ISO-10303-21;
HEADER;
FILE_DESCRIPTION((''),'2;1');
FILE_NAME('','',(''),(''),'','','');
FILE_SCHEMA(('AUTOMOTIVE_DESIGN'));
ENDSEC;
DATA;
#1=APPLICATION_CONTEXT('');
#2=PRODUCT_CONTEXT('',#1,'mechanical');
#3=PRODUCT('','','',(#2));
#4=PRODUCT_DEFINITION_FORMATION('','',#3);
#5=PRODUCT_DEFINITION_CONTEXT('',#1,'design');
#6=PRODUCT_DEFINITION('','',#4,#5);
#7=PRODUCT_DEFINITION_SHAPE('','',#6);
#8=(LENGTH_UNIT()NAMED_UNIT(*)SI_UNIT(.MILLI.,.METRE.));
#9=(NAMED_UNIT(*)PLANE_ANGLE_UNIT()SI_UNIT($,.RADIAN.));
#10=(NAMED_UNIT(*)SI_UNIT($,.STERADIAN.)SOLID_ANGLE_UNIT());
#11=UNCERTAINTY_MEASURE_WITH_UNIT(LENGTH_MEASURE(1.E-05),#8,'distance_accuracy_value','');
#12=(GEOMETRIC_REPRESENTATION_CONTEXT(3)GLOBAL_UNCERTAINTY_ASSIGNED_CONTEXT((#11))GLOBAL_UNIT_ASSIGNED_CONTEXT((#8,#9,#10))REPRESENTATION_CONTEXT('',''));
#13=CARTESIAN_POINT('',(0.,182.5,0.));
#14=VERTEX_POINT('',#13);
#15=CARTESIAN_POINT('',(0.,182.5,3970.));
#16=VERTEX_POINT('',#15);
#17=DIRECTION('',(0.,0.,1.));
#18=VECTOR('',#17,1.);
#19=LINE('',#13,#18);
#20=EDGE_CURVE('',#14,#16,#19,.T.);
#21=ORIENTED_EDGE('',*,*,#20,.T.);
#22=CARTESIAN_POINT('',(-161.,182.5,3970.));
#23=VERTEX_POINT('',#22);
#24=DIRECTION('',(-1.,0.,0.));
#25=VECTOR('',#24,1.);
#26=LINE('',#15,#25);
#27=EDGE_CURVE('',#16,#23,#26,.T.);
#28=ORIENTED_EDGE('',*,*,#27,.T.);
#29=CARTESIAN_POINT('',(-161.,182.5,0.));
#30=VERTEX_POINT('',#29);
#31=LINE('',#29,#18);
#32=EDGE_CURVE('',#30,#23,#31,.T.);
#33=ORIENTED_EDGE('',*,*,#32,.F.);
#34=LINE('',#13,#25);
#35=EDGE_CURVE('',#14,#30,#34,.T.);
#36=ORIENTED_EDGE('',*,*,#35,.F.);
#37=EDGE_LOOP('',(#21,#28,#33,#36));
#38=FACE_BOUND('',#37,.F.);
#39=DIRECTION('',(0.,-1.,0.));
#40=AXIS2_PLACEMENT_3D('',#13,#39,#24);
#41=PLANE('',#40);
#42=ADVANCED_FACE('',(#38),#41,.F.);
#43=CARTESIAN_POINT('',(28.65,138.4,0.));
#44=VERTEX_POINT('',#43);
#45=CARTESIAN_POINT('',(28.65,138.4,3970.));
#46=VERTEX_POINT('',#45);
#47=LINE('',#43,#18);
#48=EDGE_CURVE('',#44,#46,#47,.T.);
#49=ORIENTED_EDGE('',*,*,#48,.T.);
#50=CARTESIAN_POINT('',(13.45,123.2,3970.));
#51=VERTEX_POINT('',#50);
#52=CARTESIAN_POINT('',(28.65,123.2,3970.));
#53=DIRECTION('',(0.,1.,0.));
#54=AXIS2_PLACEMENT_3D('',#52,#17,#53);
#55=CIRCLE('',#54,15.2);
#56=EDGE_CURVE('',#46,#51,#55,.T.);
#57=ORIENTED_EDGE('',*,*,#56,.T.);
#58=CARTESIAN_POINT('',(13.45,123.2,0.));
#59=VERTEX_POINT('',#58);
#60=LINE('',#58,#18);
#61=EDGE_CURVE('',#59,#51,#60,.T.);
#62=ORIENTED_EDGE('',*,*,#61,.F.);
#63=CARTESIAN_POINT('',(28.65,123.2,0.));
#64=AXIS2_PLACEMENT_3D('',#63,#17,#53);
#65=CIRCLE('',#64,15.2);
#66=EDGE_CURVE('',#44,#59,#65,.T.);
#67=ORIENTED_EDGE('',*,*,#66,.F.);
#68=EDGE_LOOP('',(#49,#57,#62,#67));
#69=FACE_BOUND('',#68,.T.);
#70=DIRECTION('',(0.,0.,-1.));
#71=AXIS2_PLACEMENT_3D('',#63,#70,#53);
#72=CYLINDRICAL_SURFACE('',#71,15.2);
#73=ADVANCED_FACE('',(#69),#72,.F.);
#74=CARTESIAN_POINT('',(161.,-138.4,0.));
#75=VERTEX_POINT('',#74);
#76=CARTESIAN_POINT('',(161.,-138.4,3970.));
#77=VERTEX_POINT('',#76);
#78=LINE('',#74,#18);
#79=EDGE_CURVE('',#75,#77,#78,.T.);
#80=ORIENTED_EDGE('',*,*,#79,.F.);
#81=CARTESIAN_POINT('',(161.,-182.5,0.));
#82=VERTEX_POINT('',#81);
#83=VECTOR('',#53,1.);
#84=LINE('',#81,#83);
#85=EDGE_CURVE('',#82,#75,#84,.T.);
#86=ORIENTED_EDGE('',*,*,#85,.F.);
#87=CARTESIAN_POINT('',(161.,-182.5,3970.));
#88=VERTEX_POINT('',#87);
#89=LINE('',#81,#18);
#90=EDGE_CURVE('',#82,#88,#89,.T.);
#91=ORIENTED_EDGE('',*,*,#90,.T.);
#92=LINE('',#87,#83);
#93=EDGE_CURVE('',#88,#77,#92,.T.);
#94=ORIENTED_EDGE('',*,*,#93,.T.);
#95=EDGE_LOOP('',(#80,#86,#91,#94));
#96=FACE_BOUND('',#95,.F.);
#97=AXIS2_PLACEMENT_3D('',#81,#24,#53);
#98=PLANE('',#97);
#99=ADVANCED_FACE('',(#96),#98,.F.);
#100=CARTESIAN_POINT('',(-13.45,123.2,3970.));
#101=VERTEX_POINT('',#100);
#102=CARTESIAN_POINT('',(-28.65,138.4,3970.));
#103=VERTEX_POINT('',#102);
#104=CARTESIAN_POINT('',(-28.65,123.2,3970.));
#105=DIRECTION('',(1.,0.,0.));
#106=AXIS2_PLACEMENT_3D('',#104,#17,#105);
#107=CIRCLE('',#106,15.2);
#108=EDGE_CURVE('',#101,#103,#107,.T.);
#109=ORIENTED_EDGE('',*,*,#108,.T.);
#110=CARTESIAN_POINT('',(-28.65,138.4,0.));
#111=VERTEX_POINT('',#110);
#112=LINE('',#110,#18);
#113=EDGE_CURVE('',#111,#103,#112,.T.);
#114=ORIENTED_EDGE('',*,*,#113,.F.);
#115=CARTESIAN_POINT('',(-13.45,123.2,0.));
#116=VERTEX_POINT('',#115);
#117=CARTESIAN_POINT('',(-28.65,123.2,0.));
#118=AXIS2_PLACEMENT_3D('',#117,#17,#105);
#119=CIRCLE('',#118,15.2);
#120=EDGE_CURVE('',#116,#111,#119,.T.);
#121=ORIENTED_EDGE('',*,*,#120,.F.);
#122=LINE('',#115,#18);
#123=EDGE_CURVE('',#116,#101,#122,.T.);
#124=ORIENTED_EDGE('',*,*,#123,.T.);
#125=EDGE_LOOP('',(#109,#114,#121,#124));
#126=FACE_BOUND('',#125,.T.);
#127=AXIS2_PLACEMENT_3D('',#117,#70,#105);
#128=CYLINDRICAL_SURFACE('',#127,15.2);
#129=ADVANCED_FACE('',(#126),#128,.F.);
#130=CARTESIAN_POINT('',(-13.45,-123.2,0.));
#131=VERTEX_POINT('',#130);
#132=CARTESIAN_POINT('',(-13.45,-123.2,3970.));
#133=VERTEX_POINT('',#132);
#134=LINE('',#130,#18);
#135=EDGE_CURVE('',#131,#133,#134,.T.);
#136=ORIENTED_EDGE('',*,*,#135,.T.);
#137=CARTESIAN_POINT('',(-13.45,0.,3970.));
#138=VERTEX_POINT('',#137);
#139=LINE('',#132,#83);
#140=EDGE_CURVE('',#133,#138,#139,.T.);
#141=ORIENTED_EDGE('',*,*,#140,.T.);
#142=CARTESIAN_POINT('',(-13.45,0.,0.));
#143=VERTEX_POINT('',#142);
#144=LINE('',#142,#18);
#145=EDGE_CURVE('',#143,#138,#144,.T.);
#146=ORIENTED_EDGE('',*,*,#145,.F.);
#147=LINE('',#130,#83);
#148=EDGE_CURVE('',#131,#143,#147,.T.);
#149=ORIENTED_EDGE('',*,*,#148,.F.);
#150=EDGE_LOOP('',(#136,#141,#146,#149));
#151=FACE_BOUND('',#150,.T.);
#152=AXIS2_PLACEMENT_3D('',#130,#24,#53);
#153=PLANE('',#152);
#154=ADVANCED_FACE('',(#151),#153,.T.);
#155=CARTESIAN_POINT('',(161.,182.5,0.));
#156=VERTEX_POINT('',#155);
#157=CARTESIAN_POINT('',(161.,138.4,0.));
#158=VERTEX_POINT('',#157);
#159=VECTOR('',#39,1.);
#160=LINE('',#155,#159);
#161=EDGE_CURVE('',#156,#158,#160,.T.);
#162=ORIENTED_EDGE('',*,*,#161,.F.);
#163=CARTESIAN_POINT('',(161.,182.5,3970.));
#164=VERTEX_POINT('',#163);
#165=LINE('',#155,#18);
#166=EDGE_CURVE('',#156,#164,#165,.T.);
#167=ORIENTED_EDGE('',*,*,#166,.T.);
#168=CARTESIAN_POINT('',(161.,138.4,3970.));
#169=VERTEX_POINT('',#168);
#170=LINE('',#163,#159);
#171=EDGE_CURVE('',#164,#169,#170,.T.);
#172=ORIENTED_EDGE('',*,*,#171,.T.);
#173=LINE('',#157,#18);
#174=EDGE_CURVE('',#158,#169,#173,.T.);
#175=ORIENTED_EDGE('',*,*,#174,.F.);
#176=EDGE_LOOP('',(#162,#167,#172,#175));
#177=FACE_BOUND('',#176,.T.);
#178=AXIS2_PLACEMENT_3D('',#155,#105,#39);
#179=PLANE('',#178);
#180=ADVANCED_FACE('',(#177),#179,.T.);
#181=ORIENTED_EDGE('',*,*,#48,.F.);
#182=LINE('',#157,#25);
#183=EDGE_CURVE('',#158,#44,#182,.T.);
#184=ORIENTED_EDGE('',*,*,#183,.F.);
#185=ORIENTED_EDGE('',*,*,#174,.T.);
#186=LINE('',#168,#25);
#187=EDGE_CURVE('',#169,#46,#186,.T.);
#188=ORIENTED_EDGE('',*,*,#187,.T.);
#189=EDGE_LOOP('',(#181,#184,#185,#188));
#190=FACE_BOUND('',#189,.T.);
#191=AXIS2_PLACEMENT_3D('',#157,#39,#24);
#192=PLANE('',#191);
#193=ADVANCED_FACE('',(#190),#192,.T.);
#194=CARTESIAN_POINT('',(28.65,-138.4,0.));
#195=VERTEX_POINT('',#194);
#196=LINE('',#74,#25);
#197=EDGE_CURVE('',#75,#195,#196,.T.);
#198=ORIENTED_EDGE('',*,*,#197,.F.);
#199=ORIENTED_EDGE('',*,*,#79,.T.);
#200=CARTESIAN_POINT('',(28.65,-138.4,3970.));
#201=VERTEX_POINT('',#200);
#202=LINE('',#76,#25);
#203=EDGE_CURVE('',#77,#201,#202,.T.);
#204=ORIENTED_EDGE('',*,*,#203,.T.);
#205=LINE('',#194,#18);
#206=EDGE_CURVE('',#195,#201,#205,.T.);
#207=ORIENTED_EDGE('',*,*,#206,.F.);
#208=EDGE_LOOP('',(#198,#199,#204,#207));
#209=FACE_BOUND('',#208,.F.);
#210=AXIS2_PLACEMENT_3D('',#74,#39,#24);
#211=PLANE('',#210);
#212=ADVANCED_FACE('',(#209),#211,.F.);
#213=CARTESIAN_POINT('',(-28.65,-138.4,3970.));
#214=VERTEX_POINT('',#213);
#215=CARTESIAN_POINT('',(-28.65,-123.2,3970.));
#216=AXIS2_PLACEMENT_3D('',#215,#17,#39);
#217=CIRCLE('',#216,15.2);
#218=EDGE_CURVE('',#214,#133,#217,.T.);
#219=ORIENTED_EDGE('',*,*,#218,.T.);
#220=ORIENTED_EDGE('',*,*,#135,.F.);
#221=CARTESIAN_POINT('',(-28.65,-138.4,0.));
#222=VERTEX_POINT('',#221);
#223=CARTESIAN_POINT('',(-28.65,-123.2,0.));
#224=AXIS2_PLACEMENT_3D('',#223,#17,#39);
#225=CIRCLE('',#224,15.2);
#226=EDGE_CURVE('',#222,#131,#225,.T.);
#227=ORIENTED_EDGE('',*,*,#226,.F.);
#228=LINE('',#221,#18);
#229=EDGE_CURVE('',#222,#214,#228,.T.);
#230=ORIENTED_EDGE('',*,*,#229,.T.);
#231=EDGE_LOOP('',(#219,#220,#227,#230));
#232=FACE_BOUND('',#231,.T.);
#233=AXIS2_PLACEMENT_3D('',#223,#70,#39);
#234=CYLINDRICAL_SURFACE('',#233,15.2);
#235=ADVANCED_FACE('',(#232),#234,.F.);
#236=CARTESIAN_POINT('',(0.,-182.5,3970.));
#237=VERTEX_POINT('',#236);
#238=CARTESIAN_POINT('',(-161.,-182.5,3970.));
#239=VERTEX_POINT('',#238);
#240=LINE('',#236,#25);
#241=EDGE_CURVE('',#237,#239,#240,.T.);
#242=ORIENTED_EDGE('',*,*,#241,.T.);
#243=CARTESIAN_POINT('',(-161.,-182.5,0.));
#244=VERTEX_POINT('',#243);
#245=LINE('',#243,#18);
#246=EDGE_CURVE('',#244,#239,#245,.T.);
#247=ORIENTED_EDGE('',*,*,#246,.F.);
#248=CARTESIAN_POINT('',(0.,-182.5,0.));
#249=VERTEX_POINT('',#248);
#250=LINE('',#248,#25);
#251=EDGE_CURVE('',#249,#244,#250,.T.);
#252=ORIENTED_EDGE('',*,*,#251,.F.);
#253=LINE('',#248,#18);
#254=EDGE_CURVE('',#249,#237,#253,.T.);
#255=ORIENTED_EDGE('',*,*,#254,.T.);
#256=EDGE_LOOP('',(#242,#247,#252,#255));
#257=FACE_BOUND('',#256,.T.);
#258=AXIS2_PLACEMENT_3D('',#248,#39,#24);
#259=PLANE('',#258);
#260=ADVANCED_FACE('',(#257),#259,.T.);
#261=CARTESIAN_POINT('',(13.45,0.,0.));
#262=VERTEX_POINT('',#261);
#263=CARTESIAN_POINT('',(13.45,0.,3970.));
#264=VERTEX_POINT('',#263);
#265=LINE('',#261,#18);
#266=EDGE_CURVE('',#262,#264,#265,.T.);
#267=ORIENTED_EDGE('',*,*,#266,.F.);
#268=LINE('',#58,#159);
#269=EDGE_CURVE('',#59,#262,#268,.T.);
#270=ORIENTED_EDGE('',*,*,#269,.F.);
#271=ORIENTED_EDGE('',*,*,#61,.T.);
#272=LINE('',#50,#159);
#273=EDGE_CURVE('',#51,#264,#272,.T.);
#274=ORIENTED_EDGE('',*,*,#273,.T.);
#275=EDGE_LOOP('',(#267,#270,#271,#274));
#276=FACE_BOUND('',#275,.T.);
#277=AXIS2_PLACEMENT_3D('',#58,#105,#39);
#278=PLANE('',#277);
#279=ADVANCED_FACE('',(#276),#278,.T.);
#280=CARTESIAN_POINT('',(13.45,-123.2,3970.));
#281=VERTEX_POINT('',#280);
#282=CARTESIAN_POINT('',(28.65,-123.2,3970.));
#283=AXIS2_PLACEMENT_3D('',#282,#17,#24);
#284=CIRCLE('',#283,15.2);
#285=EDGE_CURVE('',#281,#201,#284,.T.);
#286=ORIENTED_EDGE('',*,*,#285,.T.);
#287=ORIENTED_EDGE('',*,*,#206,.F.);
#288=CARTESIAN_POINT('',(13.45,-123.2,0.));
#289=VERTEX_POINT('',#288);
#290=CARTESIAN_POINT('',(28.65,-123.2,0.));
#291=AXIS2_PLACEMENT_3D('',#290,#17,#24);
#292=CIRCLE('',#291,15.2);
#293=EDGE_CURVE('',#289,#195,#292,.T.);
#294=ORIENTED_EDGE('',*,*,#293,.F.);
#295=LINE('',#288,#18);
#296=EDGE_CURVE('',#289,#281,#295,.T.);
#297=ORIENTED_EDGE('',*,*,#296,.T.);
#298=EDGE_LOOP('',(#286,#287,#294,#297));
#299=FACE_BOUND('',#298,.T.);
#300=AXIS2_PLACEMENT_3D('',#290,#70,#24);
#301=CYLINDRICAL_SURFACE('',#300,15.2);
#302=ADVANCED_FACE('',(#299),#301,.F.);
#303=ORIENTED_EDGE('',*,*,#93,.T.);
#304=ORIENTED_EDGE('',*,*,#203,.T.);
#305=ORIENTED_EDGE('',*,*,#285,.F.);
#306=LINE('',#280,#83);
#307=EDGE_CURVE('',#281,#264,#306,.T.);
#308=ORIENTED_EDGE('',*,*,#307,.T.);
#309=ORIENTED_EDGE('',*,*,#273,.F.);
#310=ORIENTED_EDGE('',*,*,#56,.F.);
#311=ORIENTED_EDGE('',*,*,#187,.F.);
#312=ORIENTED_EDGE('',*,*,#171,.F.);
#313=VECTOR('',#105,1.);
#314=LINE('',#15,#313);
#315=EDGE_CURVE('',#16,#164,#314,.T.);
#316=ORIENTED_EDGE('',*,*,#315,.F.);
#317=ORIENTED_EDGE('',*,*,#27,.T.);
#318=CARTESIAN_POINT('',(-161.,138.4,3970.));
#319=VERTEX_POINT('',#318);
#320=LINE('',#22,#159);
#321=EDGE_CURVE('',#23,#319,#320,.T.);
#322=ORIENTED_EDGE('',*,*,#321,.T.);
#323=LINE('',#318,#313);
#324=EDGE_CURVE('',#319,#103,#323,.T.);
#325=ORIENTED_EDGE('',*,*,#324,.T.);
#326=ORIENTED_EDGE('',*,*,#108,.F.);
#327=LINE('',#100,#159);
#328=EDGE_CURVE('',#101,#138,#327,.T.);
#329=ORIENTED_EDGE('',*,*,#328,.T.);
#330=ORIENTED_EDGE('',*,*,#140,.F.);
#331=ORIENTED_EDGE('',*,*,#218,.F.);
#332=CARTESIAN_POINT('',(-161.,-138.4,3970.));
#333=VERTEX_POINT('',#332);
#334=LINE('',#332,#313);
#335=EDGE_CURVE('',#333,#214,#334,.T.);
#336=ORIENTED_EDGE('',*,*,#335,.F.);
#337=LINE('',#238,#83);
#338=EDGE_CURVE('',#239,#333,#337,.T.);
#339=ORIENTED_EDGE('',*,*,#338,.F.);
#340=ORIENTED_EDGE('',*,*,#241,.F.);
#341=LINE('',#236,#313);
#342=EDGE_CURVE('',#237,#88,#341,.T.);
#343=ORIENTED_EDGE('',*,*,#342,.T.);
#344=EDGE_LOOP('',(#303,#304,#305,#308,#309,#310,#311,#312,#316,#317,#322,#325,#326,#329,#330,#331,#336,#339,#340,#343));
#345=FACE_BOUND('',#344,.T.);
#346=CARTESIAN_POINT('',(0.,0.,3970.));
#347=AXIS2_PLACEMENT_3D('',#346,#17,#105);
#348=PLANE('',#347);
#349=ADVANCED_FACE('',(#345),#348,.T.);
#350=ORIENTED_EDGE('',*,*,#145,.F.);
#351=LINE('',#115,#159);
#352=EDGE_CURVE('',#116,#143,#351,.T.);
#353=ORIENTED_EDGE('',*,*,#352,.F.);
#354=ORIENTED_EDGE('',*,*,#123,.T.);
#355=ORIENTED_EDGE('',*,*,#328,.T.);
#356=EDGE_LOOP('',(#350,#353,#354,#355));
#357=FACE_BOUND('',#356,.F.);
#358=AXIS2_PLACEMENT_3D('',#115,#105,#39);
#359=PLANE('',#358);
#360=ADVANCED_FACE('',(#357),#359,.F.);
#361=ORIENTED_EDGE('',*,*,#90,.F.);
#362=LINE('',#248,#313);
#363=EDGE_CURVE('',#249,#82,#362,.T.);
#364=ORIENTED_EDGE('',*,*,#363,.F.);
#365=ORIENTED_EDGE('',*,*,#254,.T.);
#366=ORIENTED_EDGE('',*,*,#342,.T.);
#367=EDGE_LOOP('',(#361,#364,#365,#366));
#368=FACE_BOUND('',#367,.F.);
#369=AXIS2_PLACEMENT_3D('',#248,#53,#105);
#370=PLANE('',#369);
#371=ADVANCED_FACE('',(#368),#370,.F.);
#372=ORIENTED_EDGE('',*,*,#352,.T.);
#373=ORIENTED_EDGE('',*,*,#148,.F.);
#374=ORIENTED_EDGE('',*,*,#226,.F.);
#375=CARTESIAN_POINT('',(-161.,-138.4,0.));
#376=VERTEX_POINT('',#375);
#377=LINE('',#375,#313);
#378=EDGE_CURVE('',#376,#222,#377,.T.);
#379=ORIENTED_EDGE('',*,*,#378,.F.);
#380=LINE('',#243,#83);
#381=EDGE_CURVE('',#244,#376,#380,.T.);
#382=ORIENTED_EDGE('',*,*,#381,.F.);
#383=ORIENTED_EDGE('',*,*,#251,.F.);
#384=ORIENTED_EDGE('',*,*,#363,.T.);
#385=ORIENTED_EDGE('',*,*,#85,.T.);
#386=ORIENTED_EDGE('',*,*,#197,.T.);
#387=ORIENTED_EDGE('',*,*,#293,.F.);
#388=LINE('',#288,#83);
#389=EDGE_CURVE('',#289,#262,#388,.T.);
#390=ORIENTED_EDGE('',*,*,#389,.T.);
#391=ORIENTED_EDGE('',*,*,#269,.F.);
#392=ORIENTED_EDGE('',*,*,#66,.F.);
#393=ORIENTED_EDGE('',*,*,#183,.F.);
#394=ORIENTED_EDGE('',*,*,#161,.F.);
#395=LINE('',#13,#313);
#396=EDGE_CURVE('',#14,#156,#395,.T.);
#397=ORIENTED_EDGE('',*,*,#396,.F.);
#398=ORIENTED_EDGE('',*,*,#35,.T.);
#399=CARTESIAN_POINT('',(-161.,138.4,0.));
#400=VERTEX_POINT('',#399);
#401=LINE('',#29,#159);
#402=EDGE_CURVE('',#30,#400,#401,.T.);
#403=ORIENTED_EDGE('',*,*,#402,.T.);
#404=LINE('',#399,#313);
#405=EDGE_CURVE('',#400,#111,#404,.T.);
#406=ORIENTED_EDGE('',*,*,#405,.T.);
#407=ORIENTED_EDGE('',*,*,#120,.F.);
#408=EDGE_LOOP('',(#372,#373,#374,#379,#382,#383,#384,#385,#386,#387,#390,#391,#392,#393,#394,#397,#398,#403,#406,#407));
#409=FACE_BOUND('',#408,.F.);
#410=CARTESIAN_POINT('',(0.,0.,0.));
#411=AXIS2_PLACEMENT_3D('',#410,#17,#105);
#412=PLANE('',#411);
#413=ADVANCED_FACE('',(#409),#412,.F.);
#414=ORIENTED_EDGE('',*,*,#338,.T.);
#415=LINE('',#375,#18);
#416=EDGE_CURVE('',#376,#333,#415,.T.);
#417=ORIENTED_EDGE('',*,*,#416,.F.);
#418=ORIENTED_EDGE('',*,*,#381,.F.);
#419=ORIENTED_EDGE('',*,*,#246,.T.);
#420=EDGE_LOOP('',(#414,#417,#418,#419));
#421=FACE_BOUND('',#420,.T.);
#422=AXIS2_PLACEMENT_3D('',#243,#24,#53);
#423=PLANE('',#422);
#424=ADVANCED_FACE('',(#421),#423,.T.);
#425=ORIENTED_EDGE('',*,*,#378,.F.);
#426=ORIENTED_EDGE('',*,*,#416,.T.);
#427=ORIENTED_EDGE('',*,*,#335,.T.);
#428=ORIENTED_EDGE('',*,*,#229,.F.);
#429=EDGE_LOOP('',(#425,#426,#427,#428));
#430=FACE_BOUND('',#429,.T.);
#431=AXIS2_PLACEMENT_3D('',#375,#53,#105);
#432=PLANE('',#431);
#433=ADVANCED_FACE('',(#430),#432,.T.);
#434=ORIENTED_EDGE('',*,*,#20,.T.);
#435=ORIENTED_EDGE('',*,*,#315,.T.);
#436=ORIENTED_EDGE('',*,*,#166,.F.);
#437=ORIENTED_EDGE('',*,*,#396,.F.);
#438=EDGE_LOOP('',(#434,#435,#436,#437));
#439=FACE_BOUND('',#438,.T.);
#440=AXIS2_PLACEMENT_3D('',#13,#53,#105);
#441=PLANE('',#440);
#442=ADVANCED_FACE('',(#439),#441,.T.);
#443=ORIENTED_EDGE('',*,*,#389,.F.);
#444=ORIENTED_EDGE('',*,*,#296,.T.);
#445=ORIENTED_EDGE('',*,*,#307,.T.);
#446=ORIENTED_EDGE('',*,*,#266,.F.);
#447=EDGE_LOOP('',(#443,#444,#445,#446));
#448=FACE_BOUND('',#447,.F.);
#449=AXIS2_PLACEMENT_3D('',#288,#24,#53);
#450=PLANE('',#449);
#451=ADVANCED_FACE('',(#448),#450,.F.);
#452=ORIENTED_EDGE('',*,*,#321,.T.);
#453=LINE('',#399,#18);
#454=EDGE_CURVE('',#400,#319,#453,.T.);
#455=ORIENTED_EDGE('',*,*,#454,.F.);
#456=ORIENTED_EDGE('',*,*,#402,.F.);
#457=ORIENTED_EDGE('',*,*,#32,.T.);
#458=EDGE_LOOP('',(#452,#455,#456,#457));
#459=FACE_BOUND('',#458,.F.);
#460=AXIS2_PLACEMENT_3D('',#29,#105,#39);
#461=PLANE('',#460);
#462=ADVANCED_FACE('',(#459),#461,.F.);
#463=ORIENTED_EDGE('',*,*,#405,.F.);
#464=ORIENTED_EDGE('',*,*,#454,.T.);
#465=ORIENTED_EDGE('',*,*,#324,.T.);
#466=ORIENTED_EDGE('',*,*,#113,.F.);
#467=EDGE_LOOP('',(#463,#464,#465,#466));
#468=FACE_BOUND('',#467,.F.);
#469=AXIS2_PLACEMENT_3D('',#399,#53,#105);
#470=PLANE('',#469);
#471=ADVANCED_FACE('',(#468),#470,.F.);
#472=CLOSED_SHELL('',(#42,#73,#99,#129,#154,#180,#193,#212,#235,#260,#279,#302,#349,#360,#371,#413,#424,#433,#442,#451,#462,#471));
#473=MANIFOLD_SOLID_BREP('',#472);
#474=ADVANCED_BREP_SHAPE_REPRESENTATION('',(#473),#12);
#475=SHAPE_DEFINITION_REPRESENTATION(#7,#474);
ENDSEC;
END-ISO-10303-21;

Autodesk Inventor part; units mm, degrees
ref_plane "YZ Plane" through (0, 0, 0) normal (1, 0, 0) x (0, 1, 0)
ref_plane "Start plane" through (0, 0, 0) normal (0, 0, 1) x (1, 0, 0)
ref_plane "End plane" through (0, 0, 3970) normal (0, 0, 1) x (1, 0, 0)
sketch "Sketch" plane through (0, 0, 0) normal (0, 0, 1) x (1, 0, 0)
  line L0 (-161, -182.5) -> (-161, -138.4)
  line L1 (-161, -138.4) -> (-28.65, -138.4)
  line L2 (-13.45, -123.2) -> (-13.45, 0)
  line L3 (-13.45, 0) -> (0, 0) construction
  line L4 (0, 0) -> (0, -182.5) construction
  line L5 (0, -182.5) -> (-161, -182.5)
  line L6 (-60, 0) -> (80, 0) construction
  line L7 (0, -60) -> (0, 80) construction
  line L8 (161, -182.5) -> (161, -138.4)
  line L9 (161, -138.4) -> (28.65, -138.4)
  line L10 (13.45, -123.2) -> (13.45, 0)
  line L11 (13.45, 0) -> (0, 0) construction
  line L12 (0, -182.5) -> (161, -182.5)
  line L13 (-161, 182.5) -> (-161, 138.4)
  line L14 (-161, 138.4) -> (-28.65, 138.4)
  line L15 (-13.45, 123.2) -> (-13.45, 0)
  line L16 (0, 182.5) -> (-161, 182.5)
  line L17 (161, 182.5) -> (161, 138.4)
  line L18 (161, 138.4) -> (28.65, 138.4)
  line L19 (0, 182.5) -> (161, 182.5)
  line L20 (13.45, 123.2) -> (13.45, 0)
  arc A0 (-13.45, 123.2) -> (-28.65, 138.4) centre (-28.65, 123.2) ccw
  arc A1 (28.65, 138.4) -> (13.45, 123.2) centre (28.65, 123.2) ccw
  arc A2 (13.45, -123.2) -> (28.65, -138.4) centre (28.65, -123.2) ccw
  arc A3 (-28.65, -138.4) -> (-13.45, -123.2) centre (-28.65, -123.2) ccw
  line L21 (0, 108) -> (0, -88) construction
  line L22 (-88, 0) -> (108, 0) construction
  point P0 (-13.45, -138.4)
  point P1 (13.45, -138.4)
  point P2 (-13.45, 138.4)
  point P3 (13.45, 138.4)
  dimension "d1" = 182.5
  dimension "d2" = 44.1
  dimension "d3" = 161
  dimension "d4" = 13.45
  dimension "d10" = 15.2
extrude "Body" add sketch "Sketch" along normal up to surface (3970 mm away) from surface at 0
sketch "Sketch4" plane through (0, 0, 0) normal (0, 0, 1) x (1, 0, 0)
  line L0 (0, 0) -> (10, 0)
ref_plane "Work Plane3" through (0, 0, 0) normal (0, -1, 0) x (1, 0, 0)
sketch "Sketch5" plane through (0, 0, 0) normal (0, -1, 0) x (1, 0, 0)
  line L0 (-2, 0) -> (12, 0) projected
  line L1 (-2, 3970) -> (12, 3970) projected
  dimension "d14" = 3970
equation "\"d1\" = 0.5 * G_H"
equation "\"d2\" = G_T1"
equation "\"d3\" = 0.5 * G_W"
equation "\"d4\" = 0.5 * G_T"
equation "\"d10\" = G_IR"
equation "\"d5\" = G_L"
equation "\"G_W\" = 322"
equation "\"G_H\" = 365"
equation "\"G_T\" = 26.9"
equation "\"G_T1\" = 44.1"
equation "\"G_IR\" = 15.2"
equation "\"G_L\" = d14"
equation "\"G_OFFSET_START\" = 0"
equation "\"G_OFFSET_END\" = 0"
properties part number "AS 3679 - 310 UC - 283 - 3970" material "Steel, Mild"
